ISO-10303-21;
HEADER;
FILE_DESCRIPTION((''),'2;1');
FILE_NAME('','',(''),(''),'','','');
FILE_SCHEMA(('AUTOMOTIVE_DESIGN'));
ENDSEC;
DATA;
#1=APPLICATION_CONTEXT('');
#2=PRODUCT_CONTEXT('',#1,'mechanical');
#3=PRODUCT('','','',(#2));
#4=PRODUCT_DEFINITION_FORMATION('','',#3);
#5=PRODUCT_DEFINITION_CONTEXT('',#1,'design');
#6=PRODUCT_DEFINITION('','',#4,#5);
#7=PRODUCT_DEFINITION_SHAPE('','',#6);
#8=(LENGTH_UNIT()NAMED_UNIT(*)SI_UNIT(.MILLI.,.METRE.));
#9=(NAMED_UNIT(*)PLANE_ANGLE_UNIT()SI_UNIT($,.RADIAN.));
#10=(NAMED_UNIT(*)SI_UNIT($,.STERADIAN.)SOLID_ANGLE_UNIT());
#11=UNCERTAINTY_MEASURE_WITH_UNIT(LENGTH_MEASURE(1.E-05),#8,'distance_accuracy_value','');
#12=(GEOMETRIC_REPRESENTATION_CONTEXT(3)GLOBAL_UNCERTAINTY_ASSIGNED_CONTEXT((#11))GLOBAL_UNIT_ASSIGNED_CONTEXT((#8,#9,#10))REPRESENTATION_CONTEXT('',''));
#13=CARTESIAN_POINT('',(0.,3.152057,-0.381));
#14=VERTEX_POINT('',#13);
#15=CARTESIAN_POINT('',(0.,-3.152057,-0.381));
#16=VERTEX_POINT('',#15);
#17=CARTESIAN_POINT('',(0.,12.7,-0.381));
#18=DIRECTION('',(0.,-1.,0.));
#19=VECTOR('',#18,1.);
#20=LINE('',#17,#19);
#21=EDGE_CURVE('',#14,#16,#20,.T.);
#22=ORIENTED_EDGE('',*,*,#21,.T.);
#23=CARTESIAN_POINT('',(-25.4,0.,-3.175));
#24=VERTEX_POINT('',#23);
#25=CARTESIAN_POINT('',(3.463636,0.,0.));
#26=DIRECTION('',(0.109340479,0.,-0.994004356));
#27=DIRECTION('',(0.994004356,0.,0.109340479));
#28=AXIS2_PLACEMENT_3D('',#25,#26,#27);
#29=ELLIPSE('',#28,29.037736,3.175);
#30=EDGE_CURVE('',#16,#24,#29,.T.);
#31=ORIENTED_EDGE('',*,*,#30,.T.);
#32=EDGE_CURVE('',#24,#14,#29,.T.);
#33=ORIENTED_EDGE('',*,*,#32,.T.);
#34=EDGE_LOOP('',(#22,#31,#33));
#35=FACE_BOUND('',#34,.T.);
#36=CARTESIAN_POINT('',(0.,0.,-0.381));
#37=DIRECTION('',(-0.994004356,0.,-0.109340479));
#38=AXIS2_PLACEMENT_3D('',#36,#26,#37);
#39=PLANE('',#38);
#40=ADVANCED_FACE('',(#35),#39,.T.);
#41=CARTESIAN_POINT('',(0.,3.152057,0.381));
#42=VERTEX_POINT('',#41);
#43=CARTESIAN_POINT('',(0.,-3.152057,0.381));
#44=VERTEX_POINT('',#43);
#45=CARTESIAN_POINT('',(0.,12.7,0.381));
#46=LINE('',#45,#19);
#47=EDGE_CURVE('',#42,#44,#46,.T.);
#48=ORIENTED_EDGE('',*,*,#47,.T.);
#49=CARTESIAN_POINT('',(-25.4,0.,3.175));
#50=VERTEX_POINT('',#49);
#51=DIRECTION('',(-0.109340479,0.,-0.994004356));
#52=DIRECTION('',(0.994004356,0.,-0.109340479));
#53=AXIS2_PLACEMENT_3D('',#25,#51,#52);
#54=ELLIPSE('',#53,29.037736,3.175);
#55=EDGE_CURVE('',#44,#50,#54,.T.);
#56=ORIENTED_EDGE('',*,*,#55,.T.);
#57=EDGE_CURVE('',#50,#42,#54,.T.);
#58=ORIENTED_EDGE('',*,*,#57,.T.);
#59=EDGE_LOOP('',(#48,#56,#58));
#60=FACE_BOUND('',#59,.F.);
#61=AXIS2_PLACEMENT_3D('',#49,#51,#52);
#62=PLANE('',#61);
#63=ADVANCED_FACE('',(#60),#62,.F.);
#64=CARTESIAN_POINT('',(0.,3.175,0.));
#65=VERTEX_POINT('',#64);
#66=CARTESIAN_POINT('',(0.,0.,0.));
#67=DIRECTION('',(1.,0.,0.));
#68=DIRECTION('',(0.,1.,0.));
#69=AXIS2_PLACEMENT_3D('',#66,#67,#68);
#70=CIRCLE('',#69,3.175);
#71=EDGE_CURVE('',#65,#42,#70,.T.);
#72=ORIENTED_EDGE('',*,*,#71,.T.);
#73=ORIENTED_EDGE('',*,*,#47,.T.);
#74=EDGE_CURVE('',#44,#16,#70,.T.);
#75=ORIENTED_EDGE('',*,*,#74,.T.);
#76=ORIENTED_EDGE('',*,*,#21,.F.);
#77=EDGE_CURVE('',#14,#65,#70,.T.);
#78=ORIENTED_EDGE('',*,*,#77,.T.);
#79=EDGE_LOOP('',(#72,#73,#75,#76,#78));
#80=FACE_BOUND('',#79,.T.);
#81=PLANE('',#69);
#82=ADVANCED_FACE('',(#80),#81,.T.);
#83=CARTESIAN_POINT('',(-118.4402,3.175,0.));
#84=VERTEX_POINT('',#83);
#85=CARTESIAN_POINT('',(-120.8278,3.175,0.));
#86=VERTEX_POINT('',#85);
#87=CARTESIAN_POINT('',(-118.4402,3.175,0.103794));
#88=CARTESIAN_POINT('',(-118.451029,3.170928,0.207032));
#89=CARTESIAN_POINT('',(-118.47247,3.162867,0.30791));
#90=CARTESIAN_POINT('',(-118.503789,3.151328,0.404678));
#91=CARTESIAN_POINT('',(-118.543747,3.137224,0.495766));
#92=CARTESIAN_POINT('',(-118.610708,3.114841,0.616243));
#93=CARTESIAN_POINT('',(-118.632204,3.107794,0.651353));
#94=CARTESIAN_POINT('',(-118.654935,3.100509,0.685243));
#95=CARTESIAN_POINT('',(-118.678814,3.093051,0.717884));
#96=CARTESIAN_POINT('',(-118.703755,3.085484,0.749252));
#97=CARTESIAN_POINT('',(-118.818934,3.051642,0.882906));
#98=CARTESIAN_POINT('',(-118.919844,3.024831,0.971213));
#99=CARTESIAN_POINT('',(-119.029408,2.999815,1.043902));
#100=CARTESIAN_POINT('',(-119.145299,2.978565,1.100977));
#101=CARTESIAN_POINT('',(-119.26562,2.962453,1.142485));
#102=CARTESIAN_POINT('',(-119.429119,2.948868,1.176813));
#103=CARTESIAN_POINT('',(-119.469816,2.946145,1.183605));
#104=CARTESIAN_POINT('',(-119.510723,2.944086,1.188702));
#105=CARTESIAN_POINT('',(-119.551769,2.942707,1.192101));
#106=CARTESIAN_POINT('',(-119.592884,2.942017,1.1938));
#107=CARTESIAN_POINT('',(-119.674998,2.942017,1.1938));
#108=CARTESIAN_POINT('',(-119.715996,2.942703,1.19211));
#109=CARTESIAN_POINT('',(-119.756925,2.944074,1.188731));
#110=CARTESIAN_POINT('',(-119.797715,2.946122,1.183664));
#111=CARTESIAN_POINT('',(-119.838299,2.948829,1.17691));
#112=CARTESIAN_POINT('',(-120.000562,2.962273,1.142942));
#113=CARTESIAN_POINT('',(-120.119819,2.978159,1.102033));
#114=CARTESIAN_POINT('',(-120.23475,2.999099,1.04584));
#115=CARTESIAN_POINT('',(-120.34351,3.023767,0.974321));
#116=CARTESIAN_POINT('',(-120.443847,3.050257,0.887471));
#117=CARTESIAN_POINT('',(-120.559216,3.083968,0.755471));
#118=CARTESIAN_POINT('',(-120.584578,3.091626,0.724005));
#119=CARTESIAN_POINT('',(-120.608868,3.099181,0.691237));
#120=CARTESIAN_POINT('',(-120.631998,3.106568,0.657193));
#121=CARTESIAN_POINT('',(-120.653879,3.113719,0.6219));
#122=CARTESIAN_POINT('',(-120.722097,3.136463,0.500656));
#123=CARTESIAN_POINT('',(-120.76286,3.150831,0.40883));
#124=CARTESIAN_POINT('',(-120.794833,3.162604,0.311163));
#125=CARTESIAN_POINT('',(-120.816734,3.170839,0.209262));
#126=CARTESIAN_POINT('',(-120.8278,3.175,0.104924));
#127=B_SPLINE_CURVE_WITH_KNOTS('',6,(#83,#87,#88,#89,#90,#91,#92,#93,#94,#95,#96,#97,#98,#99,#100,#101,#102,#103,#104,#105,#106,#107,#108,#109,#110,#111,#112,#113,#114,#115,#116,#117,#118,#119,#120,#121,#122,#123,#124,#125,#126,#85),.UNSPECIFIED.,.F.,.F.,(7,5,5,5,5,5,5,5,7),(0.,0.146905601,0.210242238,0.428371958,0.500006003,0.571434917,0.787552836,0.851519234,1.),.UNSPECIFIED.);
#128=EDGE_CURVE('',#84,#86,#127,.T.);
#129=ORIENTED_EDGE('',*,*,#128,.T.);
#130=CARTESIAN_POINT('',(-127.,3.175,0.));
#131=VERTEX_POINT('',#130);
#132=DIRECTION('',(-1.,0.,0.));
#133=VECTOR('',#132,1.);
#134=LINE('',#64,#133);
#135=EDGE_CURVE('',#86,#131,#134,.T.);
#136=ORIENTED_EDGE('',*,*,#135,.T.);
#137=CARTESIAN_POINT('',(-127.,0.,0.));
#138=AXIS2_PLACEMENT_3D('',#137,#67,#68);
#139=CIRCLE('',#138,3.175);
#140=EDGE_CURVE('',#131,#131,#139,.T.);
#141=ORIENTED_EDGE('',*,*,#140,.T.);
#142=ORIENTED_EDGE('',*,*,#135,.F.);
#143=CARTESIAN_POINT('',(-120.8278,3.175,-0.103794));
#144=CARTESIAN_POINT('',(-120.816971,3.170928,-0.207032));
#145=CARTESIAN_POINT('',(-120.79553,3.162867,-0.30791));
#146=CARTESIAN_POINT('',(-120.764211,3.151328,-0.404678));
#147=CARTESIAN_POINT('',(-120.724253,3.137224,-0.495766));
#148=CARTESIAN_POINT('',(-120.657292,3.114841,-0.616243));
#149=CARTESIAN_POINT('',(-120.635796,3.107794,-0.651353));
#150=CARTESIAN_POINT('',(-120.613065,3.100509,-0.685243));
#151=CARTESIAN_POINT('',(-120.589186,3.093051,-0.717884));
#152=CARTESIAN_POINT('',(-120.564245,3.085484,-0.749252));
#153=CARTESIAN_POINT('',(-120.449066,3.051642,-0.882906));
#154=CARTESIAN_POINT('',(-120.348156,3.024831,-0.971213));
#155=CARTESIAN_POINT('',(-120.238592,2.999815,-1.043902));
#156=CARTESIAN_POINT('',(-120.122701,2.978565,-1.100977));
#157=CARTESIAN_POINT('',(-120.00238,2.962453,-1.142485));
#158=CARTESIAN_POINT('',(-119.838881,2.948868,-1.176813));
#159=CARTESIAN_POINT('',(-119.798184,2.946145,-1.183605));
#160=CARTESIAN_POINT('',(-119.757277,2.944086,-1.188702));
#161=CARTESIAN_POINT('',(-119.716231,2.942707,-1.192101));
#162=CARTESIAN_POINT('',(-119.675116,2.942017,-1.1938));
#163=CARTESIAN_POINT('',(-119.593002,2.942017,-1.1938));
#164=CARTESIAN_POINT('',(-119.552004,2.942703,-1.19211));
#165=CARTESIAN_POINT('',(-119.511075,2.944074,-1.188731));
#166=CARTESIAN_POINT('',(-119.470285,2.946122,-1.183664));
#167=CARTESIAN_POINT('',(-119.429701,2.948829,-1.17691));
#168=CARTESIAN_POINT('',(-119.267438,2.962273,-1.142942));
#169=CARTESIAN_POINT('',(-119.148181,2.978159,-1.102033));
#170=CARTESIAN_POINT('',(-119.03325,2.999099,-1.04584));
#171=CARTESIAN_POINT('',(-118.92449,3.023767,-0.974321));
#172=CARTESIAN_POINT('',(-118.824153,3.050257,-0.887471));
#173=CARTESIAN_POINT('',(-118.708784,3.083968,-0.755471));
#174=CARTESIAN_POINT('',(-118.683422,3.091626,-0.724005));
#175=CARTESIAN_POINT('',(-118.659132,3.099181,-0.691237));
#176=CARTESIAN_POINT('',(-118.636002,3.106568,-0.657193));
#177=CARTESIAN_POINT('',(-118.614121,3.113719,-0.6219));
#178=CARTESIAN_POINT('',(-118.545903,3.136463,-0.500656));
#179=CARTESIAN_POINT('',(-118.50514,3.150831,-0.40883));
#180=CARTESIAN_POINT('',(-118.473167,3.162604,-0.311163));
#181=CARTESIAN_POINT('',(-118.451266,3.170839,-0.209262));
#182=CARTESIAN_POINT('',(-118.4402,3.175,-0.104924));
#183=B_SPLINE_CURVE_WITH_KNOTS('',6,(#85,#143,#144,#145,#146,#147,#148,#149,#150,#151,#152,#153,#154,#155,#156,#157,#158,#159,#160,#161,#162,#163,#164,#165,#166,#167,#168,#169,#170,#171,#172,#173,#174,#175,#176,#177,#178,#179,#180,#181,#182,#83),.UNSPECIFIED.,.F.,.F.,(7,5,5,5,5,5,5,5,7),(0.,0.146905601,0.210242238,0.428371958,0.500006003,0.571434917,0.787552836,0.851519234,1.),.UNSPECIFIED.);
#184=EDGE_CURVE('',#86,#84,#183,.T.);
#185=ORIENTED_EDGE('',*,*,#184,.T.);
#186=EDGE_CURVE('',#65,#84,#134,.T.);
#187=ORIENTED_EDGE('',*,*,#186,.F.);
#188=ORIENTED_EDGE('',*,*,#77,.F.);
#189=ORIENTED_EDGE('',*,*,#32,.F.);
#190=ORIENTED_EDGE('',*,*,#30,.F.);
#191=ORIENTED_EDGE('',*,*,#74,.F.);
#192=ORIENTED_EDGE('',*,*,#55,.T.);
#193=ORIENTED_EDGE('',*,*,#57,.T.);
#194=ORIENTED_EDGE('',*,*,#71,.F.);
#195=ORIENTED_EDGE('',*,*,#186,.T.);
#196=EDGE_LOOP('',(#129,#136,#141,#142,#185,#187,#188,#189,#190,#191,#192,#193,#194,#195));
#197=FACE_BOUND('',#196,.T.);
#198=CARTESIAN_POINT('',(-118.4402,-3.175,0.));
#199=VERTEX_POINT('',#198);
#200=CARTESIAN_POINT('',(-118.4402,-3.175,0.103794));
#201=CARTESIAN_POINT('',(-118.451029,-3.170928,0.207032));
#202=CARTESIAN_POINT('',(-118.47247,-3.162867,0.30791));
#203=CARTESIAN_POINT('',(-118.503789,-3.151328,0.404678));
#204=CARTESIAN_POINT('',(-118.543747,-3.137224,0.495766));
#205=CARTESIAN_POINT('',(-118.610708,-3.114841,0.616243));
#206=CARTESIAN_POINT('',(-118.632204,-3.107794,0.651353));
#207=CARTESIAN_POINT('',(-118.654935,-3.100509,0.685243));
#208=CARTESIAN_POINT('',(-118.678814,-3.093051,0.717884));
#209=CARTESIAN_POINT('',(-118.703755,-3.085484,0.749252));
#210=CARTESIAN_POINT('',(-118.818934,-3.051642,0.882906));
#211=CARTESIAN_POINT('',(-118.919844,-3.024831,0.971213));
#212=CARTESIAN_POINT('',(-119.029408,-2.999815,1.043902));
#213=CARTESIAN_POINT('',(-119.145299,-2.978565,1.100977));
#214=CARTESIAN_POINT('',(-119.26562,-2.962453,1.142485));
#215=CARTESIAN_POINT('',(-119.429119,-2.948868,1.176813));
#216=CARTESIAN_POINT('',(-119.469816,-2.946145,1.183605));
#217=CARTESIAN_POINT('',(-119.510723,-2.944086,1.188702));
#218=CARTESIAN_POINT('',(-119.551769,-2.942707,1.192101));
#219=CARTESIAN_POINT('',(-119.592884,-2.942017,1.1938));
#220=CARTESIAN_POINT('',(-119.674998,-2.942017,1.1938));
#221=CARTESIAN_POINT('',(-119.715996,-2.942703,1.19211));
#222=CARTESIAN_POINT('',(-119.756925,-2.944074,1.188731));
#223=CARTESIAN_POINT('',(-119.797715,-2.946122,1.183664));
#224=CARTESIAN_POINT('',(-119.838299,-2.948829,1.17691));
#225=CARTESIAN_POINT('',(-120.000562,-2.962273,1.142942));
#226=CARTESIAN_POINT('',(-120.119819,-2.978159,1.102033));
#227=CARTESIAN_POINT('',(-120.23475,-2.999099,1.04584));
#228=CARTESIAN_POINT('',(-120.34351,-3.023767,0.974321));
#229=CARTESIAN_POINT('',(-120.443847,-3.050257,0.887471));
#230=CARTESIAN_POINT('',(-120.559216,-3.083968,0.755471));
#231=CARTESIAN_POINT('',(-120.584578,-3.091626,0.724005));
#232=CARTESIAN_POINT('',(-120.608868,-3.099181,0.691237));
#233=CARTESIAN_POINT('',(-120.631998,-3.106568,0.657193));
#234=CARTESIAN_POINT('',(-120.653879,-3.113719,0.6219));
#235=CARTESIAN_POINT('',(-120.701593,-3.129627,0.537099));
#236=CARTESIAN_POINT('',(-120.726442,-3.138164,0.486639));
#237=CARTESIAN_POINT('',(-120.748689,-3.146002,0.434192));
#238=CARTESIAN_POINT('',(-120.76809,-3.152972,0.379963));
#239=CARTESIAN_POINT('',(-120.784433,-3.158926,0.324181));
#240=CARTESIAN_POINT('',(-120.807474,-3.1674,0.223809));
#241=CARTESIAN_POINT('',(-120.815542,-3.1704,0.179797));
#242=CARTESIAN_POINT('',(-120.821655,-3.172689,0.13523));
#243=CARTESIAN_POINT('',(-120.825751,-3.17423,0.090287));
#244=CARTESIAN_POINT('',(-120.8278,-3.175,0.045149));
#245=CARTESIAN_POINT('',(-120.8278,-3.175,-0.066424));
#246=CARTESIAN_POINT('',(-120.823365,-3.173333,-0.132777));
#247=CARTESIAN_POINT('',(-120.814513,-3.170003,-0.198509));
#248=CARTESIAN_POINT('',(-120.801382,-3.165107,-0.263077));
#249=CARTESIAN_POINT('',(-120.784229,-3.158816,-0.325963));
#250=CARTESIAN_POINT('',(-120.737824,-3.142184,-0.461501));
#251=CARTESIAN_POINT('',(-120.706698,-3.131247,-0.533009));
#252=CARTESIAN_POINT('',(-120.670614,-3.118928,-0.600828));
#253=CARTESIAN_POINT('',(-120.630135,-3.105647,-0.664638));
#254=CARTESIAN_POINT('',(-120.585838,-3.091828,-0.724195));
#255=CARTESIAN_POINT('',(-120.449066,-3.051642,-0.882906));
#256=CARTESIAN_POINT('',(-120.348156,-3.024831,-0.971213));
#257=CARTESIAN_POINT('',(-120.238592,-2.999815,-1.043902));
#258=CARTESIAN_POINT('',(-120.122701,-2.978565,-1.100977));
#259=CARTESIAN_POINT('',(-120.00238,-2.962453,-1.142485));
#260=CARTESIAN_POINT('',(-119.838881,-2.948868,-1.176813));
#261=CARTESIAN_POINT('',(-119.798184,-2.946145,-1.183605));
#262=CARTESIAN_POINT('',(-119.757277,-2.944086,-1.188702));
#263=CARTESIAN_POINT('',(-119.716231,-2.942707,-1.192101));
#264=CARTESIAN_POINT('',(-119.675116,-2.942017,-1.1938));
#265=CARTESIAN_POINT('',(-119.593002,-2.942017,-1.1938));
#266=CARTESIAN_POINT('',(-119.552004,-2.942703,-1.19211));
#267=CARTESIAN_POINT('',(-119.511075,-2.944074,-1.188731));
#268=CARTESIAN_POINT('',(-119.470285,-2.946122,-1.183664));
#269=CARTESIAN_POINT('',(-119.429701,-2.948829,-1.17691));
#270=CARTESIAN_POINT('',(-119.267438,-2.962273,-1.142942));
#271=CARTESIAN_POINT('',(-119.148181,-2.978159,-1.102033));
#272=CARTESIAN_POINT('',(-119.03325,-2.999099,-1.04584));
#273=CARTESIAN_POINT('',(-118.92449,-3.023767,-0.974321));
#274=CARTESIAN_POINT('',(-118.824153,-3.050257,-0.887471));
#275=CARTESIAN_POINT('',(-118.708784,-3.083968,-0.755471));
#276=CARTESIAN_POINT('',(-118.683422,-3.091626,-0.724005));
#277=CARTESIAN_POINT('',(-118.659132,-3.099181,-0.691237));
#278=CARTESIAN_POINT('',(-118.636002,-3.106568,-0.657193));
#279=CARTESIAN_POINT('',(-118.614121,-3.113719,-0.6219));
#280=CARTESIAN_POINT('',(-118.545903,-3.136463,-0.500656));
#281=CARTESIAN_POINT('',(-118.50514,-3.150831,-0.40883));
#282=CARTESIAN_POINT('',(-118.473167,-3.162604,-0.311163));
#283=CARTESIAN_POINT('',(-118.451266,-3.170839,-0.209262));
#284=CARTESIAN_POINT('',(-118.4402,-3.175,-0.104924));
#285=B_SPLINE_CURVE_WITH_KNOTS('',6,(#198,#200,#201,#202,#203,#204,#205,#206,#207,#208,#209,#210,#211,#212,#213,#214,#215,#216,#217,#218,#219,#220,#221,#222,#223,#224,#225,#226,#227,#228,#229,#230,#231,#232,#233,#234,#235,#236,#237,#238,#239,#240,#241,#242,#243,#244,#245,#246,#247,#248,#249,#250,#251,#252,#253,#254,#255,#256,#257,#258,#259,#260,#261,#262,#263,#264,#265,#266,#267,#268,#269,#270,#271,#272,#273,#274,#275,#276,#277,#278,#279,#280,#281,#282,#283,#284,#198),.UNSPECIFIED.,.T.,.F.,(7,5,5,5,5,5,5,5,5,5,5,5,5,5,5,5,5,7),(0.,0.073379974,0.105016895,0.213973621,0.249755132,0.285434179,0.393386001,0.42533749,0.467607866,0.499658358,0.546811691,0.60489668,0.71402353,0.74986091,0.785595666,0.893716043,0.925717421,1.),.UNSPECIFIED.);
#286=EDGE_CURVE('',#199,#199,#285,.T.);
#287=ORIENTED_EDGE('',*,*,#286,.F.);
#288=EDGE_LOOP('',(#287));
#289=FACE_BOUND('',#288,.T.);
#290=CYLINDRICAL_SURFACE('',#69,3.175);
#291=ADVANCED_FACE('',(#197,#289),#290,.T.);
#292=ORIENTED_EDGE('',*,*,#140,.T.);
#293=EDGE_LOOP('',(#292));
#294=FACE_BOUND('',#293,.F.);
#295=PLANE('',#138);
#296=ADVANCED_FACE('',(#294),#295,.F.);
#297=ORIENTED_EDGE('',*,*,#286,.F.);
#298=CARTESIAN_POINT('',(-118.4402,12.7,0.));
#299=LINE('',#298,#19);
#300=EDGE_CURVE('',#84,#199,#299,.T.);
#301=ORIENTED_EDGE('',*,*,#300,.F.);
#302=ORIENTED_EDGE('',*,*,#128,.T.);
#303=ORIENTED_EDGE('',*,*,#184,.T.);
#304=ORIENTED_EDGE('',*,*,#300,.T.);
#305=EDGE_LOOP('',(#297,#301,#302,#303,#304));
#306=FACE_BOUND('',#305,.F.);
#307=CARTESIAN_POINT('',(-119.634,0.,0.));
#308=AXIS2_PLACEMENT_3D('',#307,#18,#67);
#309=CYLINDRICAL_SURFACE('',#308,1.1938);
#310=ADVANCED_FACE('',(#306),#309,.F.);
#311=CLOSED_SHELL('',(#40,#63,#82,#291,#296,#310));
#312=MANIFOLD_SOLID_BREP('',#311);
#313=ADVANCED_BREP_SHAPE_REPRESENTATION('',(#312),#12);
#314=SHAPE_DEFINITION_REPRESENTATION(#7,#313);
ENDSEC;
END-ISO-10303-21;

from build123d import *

# Parameters (mm, degrees)
F0_R     = 3.175
F1_DEPTH = 127
F4_DEPTH = 12.7
F2_R     = 1.1938
F5_DEPTH = 12.7


with BuildPart() as f1:
    # F0 (on Right) → F1 (new body)
    with BuildSketch(Plane.YZ):
        Circle(F0_R)
    extrude(amount=-F1_DEPTH)

    # F3 (on Front) → F4 (cut, symmetric)
    with BuildSketch(Plane.XZ):
        Polygon((0, -3.175), (0, -0.381), (-25.4, -3.175), align=None)
        Polygon((-25.4, 3.175), (0, 0.381), (0, 3.175), align=None)
    extrude(amount=F4_DEPTH, both=True, mode=Mode.SUBTRACT)

    # F2 (on Front) → F5 (cut, symmetric)
    with BuildSketch(Plane.XZ):
        with Locations((-119.634, 0)):
            Circle(F2_R)
    extrude(amount=F5_DEPTH, both=True, mode=Mode.SUBTRACT)


solid = f1.part
